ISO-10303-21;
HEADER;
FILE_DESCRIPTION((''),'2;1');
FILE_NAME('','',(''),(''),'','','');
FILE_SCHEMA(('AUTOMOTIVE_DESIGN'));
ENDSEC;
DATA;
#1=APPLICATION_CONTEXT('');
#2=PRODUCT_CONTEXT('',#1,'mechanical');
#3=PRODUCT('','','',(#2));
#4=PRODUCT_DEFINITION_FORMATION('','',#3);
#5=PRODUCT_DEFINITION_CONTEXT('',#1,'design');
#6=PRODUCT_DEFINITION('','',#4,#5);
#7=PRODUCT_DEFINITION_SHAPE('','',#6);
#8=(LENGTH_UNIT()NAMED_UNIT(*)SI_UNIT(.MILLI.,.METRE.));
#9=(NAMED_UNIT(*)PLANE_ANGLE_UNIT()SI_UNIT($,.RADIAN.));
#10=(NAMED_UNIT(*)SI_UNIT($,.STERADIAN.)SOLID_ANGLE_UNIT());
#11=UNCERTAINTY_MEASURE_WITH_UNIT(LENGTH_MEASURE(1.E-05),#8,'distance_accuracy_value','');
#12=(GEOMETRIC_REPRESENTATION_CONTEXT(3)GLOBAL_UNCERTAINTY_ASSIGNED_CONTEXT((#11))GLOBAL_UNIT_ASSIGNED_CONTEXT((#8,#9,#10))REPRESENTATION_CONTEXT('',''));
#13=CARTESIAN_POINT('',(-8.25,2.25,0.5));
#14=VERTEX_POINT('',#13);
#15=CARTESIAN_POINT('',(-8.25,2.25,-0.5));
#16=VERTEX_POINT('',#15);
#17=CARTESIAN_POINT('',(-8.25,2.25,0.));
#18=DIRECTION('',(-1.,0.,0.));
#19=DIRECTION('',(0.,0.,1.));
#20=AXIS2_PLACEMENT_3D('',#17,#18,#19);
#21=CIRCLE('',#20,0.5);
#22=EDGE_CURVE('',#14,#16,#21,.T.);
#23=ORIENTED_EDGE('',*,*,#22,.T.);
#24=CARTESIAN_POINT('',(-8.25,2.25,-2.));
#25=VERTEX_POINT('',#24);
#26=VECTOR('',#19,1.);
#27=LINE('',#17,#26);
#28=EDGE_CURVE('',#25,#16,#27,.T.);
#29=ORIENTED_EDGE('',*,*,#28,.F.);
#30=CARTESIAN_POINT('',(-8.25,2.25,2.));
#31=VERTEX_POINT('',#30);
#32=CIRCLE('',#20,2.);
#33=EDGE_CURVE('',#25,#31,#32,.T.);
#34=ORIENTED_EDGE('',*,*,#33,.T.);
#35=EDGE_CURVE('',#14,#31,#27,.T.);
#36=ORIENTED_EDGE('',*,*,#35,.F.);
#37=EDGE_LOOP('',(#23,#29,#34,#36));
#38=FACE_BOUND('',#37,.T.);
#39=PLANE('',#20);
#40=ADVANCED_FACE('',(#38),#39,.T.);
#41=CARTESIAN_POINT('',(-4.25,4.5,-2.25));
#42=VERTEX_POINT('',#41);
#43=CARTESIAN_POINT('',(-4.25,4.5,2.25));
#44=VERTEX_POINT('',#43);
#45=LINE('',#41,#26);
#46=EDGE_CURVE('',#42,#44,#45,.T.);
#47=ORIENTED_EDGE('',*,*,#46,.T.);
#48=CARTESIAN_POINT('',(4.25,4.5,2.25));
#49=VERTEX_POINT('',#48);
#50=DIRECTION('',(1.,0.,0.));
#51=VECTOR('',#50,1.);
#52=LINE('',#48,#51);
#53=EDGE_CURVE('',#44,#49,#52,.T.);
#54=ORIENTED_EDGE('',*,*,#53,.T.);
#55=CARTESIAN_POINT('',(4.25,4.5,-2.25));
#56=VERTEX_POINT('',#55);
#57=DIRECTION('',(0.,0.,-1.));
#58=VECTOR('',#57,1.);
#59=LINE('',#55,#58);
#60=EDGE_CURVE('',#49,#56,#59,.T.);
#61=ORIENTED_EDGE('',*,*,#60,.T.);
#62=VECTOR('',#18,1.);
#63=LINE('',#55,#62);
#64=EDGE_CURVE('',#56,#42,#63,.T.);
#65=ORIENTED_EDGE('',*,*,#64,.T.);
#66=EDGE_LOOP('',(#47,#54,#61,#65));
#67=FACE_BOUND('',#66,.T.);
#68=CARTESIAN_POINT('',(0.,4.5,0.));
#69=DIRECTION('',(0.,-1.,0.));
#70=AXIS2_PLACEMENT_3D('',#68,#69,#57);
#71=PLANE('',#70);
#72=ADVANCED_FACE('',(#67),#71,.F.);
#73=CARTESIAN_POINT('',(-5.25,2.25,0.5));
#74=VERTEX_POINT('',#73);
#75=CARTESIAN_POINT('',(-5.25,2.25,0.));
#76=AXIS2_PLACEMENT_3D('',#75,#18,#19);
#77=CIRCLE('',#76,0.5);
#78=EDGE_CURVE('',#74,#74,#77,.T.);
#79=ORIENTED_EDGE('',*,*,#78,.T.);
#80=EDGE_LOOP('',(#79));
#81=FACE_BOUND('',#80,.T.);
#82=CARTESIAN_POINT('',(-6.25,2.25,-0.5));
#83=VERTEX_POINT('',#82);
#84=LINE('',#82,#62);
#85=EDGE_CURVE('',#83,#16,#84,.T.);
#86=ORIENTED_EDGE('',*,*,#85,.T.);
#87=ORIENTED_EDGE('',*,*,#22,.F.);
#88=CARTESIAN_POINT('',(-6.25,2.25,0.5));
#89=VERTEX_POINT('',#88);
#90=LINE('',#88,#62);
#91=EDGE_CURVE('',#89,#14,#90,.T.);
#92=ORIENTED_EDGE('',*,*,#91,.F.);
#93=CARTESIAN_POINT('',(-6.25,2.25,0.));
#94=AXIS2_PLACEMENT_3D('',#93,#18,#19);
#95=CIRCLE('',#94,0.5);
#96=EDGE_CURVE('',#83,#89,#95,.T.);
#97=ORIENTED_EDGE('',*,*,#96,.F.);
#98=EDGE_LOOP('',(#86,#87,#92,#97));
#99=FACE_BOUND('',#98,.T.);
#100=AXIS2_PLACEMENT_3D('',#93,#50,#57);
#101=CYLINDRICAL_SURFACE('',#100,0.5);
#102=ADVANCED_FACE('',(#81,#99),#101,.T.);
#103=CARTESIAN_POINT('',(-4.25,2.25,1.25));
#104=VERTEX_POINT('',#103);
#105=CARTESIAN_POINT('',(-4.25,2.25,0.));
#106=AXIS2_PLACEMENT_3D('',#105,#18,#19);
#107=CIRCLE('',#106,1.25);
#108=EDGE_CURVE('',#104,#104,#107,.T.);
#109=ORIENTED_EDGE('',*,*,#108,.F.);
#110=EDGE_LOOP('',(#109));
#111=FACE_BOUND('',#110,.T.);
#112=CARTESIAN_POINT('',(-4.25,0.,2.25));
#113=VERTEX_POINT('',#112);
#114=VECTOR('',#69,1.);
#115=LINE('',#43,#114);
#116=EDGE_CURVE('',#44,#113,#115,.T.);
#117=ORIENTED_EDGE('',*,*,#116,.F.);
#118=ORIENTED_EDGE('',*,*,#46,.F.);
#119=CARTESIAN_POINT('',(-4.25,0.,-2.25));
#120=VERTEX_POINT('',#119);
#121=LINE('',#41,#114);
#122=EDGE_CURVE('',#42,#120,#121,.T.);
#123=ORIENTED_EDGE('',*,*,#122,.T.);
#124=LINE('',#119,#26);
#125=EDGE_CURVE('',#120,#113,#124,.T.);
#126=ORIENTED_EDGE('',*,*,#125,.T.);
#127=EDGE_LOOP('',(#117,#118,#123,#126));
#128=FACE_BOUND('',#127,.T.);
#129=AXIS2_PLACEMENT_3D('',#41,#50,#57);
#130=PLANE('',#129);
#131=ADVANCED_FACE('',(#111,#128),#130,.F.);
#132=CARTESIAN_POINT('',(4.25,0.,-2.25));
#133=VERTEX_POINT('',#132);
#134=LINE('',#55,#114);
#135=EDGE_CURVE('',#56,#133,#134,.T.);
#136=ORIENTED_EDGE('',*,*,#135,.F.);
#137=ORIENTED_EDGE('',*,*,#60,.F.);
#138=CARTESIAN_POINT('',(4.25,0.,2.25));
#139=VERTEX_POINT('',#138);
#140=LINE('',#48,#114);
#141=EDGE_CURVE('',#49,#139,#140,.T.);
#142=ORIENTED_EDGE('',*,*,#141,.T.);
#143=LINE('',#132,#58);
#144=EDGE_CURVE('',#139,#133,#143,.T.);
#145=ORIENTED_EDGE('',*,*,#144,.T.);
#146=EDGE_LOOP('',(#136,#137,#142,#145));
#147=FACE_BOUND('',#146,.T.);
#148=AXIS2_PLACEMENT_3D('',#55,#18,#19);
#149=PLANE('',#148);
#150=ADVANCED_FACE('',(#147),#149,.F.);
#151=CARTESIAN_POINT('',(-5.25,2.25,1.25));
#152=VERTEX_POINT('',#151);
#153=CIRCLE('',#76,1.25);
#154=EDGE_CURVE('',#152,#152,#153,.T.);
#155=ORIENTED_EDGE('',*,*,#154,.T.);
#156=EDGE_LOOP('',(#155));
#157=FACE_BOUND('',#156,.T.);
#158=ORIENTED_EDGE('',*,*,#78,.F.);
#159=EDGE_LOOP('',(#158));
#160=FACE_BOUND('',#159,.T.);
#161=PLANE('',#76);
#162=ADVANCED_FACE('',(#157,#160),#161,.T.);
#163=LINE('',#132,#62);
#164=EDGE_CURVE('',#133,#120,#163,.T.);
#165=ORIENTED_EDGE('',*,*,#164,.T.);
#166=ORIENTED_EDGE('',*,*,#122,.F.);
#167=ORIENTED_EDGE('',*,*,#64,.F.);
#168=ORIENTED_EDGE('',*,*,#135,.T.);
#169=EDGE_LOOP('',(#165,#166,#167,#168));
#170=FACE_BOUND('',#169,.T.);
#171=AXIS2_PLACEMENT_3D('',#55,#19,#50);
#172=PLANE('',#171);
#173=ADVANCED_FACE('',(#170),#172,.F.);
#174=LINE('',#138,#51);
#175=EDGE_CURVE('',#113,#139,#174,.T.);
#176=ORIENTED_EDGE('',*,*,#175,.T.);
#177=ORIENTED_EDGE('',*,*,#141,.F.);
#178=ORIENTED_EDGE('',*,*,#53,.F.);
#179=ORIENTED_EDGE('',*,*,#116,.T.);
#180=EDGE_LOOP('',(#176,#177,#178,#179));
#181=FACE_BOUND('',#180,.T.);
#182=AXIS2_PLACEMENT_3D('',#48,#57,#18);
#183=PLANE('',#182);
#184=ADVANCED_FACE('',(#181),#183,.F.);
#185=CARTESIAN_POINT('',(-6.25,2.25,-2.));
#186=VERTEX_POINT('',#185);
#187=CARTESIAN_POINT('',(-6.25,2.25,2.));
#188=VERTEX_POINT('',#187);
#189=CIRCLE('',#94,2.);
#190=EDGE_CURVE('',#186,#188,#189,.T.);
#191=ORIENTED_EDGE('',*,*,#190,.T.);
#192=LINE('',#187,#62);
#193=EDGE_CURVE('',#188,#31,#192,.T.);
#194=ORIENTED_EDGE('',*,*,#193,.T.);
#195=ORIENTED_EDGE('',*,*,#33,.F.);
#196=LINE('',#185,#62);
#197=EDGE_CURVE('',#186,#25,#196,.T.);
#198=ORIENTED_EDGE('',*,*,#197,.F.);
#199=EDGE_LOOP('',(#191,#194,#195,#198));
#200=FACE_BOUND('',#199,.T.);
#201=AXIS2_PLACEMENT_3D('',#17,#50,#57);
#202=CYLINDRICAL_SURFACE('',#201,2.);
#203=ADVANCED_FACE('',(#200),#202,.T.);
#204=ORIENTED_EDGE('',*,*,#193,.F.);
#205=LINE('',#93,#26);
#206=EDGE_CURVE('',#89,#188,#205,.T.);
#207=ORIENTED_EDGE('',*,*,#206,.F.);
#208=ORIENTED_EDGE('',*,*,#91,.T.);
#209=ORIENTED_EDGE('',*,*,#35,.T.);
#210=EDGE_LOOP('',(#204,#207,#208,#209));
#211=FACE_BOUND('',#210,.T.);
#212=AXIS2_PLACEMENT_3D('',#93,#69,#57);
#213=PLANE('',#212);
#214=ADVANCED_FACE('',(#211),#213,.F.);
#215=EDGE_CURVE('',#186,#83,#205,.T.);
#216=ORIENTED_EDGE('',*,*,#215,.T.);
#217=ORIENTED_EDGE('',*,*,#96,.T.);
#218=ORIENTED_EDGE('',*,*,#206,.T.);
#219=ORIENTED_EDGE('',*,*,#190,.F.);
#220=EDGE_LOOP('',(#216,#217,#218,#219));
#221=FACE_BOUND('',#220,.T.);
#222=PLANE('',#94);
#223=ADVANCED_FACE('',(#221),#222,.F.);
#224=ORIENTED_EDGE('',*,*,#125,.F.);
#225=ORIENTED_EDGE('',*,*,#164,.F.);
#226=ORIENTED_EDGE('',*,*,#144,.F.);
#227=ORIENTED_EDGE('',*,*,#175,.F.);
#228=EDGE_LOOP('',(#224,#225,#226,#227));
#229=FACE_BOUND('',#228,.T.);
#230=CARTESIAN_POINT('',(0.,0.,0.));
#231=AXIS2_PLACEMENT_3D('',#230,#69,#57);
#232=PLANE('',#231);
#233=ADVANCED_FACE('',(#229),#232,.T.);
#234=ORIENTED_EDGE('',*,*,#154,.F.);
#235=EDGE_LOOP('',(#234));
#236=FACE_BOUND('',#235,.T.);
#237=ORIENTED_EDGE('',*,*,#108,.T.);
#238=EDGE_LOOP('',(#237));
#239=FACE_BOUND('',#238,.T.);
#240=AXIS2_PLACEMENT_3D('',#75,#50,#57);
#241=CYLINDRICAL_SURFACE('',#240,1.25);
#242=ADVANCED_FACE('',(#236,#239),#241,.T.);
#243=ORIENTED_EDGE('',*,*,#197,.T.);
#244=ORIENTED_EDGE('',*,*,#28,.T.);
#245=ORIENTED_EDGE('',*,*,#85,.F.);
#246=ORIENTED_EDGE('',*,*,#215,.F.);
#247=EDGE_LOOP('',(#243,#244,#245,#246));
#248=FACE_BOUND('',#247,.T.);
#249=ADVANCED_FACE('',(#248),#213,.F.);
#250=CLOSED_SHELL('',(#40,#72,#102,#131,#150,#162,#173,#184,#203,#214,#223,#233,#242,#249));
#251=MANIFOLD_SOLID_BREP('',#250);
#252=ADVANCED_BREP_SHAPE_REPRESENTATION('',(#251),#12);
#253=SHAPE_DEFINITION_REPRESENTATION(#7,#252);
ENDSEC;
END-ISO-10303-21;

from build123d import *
from build123d.topology import SkipClean

# Parameters (mm, degrees)
SKETCH1_W           = 8.5
SKETCH1_H           = 4.5
BOSS_EXTRUDE1_DEPTH = 4.5
SKETCH2_R           = 1.25
BOSS_EXTRUDE2_DEPTH = 1
SKETCH3_R           = 0.5
BOSS_EXTRUDE3_DEPTH = 1
SKETCH4_R           = 2
BOSS_EXTRUDE4_DEPTH = 2
CUT_EXTRUDE1_START  = -2
CUT_EXTRUDE1_DEPTH  = 2


with BuildPart() as part:
    # Sketch1 → Boss-Extrude1 (new body)
    with BuildSketch(Plane(origin=(0, 0, 0), x_dir=(1, 0, 0), z_dir=(0, 1, 0))):
        Rectangle(SKETCH1_W, SKETCH1_H)
    extrude(amount=BOSS_EXTRUDE1_DEPTH)

    # Sketch2 → Boss-Extrude2 (add)
    with BuildSketch(Plane.ZY.offset(4.25)):
        with Locations((0, 2.25)):
            Circle(SKETCH2_R)
    extrude(amount=BOSS_EXTRUDE2_DEPTH)

    # Sketch3 → Boss-Extrude3 (add)
    with BuildSketch(Plane.ZY.offset(5.25)):
        with Locations((0, 2.25)):
            Circle(SKETCH3_R)
    extrude(amount=BOSS_EXTRUDE3_DEPTH)

    # Sketch4 → Boss-Extrude4 (add)
    with BuildSketch(Plane.ZY.offset(6.25)):
        with Locations((0, 2.25)):
            Circle(SKETCH4_R)
    extrude(amount=BOSS_EXTRUDE4_DEPTH)

    # Sketch5 → Cut-Extrude1 (cut)
    with SkipClean():  # the faces are left unmerged after this step: merging them gives an invalid solid
        with BuildSketch(Plane.ZY.offset(8.25).offset(CUT_EXTRUDE1_START)):
            with BuildLine():
                ThreePointArc((2, 2.25), (0, 4.25), (-2, 2.25))
                Line((-2, 2.25), (-0.5, 2.25))
                ThreePointArc((-0.5, 2.25), (0, 2.75), (0.5, 2.25))
                Line((0.5, 2.25), (2, 2.25))
            make_face()
        extrude(amount=CUT_EXTRUDE1_DEPTH, mode=Mode.SUBTRACT)


solid = part.part
